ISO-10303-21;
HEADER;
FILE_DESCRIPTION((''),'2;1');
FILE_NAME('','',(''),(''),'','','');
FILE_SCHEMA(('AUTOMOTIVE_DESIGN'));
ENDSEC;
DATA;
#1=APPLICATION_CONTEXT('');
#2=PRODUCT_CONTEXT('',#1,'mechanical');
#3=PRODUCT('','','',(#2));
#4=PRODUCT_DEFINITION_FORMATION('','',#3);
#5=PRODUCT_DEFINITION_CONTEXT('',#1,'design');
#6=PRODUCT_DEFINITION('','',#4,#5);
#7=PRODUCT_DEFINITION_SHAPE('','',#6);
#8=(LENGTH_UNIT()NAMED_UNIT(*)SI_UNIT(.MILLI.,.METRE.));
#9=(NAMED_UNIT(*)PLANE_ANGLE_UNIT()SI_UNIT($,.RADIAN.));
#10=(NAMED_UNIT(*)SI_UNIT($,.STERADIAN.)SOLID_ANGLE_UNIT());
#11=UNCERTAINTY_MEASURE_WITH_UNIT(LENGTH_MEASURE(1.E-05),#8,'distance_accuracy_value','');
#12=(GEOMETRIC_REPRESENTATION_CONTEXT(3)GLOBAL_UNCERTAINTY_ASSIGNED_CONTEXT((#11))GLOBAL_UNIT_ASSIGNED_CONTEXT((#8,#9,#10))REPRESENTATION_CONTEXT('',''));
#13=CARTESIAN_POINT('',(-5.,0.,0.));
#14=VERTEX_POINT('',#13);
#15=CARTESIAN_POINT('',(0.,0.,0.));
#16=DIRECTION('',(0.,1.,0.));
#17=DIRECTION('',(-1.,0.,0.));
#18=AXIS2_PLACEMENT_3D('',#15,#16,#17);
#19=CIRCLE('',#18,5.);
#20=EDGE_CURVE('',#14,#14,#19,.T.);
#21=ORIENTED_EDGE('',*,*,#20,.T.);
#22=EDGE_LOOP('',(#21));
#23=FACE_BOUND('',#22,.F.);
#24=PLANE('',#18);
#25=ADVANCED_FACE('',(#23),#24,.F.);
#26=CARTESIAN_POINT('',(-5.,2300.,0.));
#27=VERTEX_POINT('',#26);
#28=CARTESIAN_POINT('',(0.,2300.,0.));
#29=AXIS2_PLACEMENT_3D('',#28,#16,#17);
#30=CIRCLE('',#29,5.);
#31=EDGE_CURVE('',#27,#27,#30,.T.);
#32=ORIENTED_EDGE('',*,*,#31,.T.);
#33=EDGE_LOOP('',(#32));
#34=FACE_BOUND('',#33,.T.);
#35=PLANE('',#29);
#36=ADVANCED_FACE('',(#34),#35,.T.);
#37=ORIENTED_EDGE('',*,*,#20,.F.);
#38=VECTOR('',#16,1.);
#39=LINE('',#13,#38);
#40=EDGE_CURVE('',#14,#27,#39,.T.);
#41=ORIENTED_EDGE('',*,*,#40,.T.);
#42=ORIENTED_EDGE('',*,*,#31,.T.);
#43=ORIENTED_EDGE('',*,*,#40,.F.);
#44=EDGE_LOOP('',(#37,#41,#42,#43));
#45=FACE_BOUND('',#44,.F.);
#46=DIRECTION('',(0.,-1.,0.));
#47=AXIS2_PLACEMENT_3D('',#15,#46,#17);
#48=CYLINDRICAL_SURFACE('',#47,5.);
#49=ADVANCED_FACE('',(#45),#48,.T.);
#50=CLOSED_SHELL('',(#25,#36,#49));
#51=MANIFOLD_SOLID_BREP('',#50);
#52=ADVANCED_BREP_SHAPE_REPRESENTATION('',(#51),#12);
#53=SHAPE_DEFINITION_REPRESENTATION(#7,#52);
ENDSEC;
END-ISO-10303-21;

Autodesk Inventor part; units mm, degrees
ref_plane "YZ Plane" through (0, 0, 0) normal (1, 0, 0) x (0, 1, 0)
ref_plane "XZ Plane" through (0, 0, 0) normal (0, 1, 0) x (-1, 0, 0)
ref_plane "XY Plane" through (0, 0, 0) normal (0, 0, 1) x (1, 0, 0)
sketch "Sketch1" plane through (0, 0, 0) normal (0, 1, 0) x (-1, 0, 0)
  circle A0 centre (0, 0) radius 5
  dimension "d0" = 10
extrude "Extrusion1" add sketch "Sketch1" along normal blind 2300
properties part number "centralLineLower"
